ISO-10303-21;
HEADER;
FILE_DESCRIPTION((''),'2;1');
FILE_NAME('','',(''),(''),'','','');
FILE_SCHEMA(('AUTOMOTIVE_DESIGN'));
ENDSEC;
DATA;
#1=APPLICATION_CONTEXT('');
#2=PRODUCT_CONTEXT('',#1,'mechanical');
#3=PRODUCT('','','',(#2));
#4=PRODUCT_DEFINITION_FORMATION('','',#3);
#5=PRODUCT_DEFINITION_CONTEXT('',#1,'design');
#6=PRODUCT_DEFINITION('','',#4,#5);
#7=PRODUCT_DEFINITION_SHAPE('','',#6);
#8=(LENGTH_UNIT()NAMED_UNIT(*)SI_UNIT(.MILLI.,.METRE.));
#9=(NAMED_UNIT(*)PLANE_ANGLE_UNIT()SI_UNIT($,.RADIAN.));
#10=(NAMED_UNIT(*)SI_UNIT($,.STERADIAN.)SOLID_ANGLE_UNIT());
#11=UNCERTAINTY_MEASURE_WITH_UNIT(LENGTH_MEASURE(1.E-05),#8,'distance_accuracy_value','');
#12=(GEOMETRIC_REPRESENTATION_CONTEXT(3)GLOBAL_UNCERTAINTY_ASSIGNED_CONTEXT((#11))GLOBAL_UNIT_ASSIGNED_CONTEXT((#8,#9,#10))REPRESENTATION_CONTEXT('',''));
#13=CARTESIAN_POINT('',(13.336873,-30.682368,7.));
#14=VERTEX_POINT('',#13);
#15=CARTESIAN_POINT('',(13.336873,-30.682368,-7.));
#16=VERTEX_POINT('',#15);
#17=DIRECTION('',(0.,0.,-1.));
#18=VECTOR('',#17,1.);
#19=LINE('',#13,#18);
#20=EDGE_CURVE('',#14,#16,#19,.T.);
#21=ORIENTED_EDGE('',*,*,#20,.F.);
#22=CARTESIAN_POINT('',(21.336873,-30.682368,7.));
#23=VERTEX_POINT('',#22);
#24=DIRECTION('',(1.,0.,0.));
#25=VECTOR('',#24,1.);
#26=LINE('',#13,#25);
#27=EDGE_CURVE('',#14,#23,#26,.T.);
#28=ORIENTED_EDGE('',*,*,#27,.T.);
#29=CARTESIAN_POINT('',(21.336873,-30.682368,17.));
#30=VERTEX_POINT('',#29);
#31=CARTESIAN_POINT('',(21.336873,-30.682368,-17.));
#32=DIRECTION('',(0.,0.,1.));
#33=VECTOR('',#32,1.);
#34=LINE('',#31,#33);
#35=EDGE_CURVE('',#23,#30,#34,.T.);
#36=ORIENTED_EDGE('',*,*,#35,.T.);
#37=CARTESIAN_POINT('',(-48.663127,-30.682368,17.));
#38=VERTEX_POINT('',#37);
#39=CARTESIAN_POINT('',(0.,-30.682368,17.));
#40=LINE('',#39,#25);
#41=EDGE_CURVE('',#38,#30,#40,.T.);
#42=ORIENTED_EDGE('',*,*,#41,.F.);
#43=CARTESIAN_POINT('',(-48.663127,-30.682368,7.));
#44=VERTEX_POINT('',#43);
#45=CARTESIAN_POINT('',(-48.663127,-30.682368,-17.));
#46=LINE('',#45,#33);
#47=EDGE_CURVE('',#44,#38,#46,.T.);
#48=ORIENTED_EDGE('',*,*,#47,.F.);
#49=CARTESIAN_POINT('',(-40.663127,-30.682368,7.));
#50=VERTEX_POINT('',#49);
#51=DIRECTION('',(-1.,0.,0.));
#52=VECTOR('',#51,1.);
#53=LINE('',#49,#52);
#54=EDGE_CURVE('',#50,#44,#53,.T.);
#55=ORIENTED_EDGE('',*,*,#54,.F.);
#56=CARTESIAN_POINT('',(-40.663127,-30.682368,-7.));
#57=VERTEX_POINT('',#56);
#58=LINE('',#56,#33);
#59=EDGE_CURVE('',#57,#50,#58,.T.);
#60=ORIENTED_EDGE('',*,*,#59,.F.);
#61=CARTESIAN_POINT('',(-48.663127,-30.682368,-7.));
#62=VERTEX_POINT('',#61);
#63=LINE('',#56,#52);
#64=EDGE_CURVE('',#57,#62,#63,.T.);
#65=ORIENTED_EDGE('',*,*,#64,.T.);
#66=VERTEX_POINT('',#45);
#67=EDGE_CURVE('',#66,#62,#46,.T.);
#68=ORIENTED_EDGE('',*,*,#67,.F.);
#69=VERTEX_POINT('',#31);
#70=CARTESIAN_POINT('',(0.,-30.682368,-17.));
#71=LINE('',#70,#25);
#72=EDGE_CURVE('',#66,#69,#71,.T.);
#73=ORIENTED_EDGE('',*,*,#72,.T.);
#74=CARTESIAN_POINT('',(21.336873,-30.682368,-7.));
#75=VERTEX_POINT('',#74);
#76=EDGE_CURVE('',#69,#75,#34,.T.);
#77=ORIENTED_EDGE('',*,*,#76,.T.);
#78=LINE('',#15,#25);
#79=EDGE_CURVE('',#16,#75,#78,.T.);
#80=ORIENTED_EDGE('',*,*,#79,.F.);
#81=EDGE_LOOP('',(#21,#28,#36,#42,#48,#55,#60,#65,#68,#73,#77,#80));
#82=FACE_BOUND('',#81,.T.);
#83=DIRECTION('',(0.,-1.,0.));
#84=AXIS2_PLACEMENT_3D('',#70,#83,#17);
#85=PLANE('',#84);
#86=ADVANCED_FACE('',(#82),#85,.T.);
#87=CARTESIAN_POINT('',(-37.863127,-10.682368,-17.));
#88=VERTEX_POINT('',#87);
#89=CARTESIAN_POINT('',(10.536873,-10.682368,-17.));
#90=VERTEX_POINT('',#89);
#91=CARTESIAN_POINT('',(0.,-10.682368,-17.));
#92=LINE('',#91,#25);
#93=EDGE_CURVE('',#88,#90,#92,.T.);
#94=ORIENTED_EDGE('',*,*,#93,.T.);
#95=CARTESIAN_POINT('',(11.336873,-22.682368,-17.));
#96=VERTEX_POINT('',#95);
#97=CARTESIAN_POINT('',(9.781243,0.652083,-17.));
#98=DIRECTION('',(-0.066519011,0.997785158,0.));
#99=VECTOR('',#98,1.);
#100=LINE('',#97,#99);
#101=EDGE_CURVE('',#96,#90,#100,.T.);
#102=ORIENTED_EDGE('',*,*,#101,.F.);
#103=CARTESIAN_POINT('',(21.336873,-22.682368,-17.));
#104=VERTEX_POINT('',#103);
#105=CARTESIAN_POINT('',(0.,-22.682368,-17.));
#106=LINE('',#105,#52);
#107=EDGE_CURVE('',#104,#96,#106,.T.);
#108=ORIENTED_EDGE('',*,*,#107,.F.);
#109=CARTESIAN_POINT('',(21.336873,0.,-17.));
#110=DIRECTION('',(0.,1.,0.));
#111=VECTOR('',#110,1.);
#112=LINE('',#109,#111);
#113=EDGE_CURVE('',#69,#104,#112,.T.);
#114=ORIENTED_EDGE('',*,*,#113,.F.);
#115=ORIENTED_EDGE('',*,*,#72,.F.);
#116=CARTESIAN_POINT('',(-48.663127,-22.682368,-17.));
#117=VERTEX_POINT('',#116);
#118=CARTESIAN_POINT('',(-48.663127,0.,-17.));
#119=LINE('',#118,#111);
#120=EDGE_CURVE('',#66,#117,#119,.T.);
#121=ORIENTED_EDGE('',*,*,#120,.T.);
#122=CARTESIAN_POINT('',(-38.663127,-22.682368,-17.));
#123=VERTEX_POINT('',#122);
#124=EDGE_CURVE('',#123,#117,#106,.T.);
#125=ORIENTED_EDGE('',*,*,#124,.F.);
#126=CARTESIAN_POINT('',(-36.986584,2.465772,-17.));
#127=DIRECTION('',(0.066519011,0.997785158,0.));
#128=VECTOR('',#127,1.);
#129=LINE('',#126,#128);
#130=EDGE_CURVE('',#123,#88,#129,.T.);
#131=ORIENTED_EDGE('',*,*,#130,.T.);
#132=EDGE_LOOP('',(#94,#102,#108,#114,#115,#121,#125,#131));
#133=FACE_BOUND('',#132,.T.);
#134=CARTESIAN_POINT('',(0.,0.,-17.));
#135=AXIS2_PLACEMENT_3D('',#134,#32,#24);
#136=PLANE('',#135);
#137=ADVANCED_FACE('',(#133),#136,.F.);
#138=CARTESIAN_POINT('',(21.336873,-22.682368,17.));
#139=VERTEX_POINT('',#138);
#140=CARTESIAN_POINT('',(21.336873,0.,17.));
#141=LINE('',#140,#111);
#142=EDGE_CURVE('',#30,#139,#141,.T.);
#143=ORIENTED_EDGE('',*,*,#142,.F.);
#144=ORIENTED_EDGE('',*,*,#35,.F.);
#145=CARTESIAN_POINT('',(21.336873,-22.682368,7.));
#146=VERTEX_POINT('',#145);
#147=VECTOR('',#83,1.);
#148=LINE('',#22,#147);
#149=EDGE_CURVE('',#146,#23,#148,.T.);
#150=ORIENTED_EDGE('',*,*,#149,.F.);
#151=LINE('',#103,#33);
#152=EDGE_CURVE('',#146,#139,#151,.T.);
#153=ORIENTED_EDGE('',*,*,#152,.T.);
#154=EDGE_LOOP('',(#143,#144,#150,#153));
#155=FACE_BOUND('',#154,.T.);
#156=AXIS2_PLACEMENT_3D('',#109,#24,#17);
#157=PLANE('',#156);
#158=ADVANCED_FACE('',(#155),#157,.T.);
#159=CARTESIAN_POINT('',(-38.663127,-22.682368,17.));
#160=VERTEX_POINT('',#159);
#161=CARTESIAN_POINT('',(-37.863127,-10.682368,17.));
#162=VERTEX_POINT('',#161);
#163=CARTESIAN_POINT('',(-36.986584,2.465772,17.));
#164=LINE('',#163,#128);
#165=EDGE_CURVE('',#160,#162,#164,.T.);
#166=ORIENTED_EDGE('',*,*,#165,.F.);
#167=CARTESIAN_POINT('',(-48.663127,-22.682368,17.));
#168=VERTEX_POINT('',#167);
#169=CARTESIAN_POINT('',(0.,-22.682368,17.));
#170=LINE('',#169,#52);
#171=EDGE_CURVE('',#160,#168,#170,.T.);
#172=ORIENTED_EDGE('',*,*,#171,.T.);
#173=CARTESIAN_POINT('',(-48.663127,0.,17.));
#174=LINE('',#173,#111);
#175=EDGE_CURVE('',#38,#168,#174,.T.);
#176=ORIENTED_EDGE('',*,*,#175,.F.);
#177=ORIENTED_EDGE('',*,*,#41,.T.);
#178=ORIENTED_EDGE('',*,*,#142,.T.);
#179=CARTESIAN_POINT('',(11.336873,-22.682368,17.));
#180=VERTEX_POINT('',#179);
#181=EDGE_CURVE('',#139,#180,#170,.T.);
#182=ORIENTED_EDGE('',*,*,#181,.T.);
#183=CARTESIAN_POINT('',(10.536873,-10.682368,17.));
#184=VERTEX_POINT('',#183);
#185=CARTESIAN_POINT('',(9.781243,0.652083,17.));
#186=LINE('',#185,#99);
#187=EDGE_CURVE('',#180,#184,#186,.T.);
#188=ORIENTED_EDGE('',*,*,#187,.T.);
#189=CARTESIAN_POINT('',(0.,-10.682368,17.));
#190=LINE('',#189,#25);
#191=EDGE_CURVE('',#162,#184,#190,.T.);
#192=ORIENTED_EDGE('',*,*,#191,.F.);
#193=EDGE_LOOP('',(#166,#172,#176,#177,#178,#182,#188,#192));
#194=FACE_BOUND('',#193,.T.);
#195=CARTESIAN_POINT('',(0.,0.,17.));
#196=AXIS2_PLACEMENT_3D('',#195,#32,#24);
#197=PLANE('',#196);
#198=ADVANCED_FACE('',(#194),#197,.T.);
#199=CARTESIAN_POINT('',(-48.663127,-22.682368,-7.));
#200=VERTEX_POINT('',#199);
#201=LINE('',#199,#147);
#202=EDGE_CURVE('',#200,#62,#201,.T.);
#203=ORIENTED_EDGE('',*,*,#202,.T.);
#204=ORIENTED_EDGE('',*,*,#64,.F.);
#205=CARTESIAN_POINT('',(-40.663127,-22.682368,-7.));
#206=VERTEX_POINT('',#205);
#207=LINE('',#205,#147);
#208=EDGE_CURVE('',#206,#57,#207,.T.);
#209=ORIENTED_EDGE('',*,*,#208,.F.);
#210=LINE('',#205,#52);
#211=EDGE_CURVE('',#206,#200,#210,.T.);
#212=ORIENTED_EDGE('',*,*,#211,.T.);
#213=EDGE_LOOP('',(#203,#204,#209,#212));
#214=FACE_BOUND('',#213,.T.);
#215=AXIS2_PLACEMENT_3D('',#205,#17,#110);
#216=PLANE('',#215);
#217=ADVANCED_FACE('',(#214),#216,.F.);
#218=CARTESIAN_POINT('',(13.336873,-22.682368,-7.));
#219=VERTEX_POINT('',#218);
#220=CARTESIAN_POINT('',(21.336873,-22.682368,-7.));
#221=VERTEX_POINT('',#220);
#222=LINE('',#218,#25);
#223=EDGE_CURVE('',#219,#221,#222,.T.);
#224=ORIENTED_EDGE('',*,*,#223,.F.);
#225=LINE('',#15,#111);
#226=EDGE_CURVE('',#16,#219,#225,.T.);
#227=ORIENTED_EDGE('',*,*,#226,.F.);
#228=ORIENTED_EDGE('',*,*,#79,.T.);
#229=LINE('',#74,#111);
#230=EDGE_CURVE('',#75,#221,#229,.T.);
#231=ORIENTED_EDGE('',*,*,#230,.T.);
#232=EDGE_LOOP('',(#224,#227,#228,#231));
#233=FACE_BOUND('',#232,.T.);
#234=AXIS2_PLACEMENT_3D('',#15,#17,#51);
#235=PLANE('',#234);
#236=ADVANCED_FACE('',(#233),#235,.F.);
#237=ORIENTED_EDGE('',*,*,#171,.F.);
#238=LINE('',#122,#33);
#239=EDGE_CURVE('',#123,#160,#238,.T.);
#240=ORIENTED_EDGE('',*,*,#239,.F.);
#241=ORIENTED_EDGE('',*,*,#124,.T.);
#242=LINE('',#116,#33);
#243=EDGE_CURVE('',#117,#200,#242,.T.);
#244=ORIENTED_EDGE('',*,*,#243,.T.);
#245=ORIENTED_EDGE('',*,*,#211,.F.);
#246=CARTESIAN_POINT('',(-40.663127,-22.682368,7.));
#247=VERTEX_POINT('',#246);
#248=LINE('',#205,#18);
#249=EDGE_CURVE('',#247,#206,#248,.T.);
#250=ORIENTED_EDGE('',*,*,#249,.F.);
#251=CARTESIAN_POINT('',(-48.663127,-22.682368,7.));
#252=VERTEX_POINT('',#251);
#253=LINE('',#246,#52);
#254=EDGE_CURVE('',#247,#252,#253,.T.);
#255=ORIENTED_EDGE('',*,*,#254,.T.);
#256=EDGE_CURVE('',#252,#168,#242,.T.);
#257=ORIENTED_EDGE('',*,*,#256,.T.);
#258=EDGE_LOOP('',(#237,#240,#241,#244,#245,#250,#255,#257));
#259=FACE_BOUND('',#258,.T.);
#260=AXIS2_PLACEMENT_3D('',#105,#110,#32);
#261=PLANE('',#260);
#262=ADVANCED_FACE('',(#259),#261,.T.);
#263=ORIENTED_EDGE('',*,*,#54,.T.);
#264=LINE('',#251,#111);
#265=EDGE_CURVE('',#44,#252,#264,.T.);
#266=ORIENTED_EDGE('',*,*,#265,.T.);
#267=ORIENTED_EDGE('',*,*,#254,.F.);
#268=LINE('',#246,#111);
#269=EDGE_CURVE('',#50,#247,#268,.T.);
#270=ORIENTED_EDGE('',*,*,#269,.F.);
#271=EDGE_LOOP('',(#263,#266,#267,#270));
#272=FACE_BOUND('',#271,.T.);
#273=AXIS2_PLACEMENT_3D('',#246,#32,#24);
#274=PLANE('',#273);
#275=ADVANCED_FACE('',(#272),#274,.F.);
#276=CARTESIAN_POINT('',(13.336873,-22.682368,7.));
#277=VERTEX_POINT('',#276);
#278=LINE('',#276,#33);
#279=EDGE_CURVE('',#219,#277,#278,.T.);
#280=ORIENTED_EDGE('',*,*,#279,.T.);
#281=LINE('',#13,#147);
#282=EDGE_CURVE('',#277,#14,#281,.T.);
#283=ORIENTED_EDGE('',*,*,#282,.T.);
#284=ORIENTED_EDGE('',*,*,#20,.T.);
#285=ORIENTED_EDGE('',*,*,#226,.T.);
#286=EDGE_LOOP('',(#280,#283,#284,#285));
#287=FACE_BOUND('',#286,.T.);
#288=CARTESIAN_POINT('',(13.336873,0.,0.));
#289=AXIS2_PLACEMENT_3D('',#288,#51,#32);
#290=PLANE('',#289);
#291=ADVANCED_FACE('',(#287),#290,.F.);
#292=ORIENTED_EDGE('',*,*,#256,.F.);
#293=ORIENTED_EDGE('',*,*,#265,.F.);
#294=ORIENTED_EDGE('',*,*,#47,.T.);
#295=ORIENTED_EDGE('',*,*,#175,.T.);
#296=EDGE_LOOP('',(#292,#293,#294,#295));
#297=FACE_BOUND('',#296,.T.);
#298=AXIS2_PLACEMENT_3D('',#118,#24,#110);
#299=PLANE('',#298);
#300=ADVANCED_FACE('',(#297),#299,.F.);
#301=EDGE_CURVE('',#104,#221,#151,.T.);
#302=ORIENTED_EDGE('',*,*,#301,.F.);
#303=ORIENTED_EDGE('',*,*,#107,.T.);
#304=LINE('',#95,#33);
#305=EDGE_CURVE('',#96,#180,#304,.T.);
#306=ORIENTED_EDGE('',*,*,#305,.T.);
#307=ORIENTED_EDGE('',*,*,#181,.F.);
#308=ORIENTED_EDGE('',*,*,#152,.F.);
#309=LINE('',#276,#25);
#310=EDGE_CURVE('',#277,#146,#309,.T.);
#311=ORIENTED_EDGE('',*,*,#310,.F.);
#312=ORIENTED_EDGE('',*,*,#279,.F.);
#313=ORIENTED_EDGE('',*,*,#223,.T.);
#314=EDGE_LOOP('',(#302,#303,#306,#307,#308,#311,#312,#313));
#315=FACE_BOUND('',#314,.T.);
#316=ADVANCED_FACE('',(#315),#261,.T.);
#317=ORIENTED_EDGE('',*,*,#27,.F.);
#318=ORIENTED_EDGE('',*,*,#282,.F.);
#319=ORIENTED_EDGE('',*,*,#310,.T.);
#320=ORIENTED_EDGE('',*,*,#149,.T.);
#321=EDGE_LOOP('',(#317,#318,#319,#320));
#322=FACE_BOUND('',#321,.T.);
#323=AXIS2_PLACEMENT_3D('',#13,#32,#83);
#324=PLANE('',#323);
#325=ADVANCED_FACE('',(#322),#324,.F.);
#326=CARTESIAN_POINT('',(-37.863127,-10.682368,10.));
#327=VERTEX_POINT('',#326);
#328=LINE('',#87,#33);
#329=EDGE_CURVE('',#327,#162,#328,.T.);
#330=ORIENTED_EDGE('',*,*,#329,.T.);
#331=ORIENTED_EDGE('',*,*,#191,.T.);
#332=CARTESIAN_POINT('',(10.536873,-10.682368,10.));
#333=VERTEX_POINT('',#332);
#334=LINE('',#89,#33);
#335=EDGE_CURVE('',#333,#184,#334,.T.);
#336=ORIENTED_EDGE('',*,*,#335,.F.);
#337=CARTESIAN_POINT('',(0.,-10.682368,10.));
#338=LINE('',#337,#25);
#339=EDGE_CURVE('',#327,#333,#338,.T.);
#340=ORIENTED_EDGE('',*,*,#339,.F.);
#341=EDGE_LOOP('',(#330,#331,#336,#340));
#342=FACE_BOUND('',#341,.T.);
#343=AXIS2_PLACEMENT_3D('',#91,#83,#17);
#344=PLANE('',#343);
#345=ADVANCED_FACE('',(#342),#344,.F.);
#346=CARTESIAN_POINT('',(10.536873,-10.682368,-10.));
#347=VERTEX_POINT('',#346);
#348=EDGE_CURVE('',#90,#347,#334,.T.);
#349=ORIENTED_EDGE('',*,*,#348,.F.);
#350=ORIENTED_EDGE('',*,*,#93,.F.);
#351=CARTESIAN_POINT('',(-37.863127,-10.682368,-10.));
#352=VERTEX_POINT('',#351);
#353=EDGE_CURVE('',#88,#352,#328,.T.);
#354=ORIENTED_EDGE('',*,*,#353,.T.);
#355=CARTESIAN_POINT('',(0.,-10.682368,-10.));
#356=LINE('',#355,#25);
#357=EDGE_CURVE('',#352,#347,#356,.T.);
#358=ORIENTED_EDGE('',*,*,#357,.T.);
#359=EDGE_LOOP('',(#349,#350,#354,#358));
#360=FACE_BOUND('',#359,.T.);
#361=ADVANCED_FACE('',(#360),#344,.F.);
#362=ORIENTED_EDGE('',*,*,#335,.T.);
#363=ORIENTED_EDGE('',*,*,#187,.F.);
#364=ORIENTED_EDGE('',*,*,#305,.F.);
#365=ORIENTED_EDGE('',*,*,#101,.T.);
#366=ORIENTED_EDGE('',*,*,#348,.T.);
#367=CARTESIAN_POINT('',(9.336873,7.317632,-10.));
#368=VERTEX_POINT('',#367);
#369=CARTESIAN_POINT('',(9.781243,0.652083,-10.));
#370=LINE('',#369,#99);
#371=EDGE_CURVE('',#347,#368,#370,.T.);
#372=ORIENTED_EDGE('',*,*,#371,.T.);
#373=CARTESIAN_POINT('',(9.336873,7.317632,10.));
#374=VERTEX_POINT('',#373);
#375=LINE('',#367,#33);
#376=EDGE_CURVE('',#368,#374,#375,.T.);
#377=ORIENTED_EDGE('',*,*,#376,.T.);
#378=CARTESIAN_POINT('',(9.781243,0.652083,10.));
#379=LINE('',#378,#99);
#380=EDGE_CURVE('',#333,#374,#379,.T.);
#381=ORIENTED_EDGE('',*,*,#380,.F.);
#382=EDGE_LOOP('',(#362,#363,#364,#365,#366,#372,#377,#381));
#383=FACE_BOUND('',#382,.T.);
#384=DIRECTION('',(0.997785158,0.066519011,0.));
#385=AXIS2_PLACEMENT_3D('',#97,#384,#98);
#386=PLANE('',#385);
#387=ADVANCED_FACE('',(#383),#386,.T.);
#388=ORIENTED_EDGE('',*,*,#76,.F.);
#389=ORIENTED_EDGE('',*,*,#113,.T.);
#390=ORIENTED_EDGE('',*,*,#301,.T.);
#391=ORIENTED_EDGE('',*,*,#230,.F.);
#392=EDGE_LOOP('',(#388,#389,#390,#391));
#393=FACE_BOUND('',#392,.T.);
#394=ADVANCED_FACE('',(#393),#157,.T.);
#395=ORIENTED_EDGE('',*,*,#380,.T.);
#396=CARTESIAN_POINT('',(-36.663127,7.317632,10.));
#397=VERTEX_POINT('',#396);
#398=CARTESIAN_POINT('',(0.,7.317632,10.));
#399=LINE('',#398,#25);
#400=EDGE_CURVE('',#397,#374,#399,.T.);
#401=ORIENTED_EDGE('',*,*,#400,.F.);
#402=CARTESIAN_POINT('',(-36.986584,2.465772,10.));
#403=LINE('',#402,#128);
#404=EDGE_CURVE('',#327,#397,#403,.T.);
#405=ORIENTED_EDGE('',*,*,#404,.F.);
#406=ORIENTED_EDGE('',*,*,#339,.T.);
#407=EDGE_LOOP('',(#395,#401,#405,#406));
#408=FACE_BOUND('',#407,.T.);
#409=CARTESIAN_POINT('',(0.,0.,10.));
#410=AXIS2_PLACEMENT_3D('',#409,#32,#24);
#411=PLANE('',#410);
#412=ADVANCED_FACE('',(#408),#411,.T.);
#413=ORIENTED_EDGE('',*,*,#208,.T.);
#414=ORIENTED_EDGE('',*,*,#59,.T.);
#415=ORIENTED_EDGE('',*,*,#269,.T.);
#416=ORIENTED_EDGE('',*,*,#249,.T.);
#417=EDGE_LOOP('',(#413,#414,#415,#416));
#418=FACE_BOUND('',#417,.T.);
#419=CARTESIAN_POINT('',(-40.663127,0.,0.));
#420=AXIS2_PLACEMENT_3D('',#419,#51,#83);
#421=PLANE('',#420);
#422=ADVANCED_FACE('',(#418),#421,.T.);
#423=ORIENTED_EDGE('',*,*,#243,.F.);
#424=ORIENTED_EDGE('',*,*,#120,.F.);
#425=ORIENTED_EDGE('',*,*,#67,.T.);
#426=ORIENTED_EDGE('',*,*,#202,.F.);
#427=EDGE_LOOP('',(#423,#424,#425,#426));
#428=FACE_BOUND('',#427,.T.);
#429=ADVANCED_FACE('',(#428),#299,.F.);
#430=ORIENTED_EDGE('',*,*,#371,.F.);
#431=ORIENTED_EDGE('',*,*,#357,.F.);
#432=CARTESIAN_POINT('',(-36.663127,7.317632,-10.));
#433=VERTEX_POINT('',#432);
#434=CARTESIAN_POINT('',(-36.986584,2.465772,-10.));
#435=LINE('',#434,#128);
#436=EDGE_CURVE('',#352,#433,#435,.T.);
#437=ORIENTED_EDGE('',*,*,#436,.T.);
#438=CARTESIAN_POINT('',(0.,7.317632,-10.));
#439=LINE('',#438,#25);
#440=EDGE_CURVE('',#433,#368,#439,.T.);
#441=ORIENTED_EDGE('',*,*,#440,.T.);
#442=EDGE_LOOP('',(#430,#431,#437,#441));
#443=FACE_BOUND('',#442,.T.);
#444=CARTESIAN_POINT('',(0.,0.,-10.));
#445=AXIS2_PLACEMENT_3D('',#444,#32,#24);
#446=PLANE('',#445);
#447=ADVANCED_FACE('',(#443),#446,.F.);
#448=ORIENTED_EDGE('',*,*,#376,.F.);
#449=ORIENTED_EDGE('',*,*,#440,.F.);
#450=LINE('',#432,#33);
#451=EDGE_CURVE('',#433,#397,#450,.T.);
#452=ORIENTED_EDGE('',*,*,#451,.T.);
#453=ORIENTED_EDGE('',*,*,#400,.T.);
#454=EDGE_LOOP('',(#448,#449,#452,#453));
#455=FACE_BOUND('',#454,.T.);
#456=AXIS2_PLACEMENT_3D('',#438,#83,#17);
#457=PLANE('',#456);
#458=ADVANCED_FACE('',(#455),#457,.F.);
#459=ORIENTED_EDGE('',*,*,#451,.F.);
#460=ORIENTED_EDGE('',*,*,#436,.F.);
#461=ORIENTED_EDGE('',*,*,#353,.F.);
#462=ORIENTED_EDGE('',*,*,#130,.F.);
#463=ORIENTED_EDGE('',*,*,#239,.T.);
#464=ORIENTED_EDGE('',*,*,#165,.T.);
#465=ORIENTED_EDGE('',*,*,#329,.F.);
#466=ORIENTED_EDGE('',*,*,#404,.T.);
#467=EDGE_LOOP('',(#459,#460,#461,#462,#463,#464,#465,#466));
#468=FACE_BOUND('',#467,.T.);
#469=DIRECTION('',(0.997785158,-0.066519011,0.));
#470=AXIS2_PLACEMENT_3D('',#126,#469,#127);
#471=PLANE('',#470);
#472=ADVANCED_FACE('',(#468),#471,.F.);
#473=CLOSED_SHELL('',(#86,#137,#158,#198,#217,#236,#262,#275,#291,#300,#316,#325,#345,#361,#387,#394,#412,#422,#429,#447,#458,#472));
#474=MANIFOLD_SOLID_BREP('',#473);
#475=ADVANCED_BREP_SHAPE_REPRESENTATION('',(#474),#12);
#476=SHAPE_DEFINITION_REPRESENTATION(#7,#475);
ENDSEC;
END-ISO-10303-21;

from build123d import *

# Parameters (mm, degrees)
BOSS_EXTRUDE1_DEPTH      = 17
BOSS_EXTRUDE1_DEPTH_BACK = 17
BOSS_EXTRUDE2_DEPTH      = 10
BOSS_EXTRUDE2_DEPTH_BACK = 10
SKETCH3_W                = 14
SKETCH3_H                = 8
CUT_EXTRUDE1_DEPTH       = 8
SKETCH4_W                = 14
SKETCH4_H                = 8
CUT_EXTRUDE2_DEPTH       = 8


with BuildPart() as part:
    # Sketch1 → Boss-Extrude1 (new, two sides: drawn at the far end of the back side and taken through both)
    with BuildSketch(Plane.XY.offset(-BOSS_EXTRUDE1_DEPTH_BACK)):
        Polygon((-37.863126543, -10.682367572), (-38.663126543, -22.682367572), (-48.663126543, -22.682367572), (-48.663126543, -30.682367572), (21.336873457, -30.682367572), (21.336873457, -22.682367572), (11.336873457, -22.682367572), (10.536873457, -10.682367572), align=None)
    extrude(amount=BOSS_EXTRUDE1_DEPTH + BOSS_EXTRUDE1_DEPTH_BACK)

    # Sketch1<3> → Boss-Extrude2 (add, two sides: drawn at the far end of the back side and taken through both)
    with BuildSketch(Plane.XY.offset(-BOSS_EXTRUDE2_DEPTH_BACK)):
        Polygon((-36.663126543, 7.317632428), (-37.863126543, -10.682367572), (10.536873457, -10.682367572), (9.336873457, 7.317632428), align=None)
    extrude(amount=BOSS_EXTRUDE2_DEPTH + BOSS_EXTRUDE2_DEPTH_BACK)

    # Sketch3 → Cut-Extrude1 (cut)
    with BuildSketch(Plane(origin=(21.336873457, 0, 0), x_dir=(0, 0, -1), z_dir=(1, 0, 0))):
        with Locations((0, -26.682367572)):
            Rectangle(SKETCH3_W, SKETCH3_H)
    extrude(amount=-CUT_EXTRUDE1_DEPTH, mode=Mode.SUBTRACT)

    # Sketch4 → Cut-Extrude2 (cut)
    with BuildSketch(Plane.ZY.offset(48.663126543)):
        with Locations((0, -26.682367572)):
            Rectangle(SKETCH4_W, SKETCH4_H)
    extrude(amount=-CUT_EXTRUDE2_DEPTH, mode=Mode.SUBTRACT)


solid = part.part
